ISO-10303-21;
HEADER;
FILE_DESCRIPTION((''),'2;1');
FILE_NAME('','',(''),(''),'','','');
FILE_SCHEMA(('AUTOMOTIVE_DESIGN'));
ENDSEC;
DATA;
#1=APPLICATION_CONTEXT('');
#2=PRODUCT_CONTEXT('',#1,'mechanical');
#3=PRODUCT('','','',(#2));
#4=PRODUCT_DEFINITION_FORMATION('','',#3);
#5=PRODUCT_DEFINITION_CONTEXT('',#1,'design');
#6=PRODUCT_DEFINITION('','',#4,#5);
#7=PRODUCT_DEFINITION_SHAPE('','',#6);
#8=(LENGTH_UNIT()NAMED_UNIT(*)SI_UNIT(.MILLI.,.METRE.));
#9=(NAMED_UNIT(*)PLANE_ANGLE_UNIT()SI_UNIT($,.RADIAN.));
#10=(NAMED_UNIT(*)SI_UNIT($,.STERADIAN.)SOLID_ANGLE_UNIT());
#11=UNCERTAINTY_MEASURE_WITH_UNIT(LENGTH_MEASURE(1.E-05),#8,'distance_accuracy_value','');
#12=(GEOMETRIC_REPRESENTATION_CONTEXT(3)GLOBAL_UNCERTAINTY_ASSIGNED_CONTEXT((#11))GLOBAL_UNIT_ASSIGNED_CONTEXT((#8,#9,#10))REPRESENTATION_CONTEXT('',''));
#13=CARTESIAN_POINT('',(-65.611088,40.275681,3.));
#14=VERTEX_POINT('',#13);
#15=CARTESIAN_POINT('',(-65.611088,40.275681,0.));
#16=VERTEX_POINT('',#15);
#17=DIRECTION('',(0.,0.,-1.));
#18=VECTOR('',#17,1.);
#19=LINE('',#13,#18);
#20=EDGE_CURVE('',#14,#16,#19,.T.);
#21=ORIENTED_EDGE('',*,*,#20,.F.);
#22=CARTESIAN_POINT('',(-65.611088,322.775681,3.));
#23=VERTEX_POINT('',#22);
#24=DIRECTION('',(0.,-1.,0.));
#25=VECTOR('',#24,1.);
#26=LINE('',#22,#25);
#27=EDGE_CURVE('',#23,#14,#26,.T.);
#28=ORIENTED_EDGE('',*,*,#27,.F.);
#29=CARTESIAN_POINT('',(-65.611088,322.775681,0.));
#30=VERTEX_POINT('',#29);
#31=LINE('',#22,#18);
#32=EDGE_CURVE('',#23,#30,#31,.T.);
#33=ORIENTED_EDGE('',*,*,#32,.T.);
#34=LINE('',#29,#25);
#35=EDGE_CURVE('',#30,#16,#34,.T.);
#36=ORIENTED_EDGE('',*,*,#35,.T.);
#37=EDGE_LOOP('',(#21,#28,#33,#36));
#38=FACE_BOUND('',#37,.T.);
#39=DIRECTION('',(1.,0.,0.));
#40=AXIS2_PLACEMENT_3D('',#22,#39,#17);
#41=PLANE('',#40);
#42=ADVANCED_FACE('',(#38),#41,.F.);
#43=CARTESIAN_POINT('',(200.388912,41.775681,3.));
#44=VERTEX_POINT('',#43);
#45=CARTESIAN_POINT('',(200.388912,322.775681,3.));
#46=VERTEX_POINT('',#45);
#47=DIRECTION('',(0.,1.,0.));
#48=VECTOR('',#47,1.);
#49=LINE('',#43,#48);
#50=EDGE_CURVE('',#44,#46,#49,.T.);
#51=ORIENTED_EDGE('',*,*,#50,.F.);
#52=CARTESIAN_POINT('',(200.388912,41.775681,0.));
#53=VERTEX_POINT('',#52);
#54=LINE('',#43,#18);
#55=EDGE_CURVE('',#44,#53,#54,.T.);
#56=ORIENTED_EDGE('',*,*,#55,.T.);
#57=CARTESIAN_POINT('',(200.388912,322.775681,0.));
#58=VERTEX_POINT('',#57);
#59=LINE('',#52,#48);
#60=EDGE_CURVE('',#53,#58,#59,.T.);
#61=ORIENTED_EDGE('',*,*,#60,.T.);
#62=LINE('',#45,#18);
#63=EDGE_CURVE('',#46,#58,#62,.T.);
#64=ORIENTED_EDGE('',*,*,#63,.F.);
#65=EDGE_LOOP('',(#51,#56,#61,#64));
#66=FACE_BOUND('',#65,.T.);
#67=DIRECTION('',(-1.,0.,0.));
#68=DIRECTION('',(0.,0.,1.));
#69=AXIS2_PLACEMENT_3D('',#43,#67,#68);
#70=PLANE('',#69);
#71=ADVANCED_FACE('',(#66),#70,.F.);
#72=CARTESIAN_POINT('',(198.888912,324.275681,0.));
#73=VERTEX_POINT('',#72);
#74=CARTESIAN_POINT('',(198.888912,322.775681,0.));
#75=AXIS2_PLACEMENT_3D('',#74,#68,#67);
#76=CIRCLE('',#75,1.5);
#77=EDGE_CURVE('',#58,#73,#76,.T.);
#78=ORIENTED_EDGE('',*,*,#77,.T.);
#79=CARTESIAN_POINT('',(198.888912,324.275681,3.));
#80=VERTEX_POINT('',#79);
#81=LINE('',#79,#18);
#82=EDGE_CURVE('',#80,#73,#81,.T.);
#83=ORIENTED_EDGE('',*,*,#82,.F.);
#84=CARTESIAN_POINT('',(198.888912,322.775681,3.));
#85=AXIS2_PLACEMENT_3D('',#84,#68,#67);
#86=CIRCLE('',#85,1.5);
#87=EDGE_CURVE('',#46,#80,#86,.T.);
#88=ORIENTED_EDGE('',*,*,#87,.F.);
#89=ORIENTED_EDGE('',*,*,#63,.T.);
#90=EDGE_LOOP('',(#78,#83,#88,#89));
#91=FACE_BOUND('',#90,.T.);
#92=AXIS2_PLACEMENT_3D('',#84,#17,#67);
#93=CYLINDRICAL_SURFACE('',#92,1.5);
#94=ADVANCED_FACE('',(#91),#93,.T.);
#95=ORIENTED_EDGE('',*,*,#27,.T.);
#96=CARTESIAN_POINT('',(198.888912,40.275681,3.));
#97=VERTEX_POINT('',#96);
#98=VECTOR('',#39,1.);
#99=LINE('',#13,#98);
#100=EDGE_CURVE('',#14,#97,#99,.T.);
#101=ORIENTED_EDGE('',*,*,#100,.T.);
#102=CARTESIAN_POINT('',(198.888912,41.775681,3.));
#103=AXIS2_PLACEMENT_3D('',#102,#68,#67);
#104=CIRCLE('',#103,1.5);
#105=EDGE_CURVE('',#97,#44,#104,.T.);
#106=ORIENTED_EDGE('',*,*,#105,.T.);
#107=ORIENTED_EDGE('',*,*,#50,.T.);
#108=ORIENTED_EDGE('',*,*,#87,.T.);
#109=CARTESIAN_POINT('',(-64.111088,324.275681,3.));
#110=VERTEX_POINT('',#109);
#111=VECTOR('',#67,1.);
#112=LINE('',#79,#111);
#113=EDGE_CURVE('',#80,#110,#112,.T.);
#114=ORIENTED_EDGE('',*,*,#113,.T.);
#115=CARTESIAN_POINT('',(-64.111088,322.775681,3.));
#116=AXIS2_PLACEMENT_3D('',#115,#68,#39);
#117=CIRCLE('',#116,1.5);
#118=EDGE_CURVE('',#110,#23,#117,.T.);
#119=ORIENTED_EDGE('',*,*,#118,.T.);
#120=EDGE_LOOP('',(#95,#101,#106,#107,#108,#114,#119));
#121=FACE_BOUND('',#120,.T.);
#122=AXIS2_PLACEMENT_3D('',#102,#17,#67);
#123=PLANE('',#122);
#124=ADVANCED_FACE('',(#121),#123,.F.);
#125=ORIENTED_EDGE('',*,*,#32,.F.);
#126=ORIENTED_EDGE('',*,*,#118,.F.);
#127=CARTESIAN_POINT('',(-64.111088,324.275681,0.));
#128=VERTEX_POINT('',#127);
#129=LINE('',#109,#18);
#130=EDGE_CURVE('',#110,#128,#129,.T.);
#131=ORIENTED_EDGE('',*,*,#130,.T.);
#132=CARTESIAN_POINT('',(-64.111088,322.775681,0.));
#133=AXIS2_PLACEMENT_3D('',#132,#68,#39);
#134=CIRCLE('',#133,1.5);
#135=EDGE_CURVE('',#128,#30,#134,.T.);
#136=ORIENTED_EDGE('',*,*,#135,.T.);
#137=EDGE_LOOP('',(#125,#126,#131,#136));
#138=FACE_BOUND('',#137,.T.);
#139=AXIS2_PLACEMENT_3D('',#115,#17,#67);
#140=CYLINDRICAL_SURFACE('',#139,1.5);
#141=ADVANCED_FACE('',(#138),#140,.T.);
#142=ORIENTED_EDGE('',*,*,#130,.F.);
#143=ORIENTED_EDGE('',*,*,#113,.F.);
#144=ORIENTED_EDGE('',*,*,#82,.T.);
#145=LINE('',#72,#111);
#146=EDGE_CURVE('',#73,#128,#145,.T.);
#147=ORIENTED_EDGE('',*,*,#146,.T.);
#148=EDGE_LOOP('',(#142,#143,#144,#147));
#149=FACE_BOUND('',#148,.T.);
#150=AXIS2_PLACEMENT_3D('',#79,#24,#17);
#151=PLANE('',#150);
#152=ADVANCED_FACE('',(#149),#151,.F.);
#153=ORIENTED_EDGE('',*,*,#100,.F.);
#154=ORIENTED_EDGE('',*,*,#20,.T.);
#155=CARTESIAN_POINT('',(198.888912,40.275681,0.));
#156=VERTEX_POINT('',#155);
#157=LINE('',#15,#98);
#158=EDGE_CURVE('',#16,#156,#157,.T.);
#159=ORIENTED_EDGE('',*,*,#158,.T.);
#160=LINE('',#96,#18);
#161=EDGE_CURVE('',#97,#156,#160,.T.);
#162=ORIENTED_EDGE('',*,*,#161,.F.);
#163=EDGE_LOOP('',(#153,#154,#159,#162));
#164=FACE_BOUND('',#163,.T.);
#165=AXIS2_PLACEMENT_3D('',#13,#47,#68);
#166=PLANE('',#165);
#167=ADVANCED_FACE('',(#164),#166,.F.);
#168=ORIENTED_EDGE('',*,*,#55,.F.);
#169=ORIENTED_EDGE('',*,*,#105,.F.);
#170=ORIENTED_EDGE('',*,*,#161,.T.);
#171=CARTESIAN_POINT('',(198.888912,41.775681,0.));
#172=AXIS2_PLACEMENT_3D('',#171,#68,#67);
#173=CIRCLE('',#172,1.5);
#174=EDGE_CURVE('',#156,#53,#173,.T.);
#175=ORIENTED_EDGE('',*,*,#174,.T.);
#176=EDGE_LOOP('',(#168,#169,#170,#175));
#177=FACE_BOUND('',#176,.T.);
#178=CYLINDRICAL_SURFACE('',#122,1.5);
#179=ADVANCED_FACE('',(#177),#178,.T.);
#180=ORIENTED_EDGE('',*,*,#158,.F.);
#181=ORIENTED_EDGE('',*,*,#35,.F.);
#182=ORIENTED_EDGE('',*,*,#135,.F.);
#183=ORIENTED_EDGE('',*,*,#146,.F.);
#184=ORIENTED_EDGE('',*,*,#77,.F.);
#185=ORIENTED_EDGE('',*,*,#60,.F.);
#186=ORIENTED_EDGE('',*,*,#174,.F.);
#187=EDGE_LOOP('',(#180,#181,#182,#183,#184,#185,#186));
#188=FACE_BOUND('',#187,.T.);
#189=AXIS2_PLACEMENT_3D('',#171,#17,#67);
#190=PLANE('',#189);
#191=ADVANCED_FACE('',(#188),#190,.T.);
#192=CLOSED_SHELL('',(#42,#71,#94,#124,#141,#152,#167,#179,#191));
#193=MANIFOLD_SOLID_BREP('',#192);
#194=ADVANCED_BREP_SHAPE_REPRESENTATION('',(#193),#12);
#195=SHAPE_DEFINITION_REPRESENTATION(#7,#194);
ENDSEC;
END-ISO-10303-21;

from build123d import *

# Parameters (mm, degrees)
EXTRUDE_1_DEPTH = 3


with BuildPart() as part:
    # 草图1 → 凸台-拉伸1 (new body)
    with BuildSketch(Plane.XY):
        with BuildLine():
            Line((-65.611088087, 40.275681374), (198.888911913, 40.275681374))
            ThreePointArc((198.888911913, 40.275681374), (199.949572085, 40.715021202), (200.388911913, 41.775681374))
            Line((200.388911913, 41.775681374), (200.388911913, 322.775681374))
            ThreePointArc((200.388911913, 322.775681374), (199.949572085, 323.836341546), (198.888911913, 324.275681374))
            Line((198.888911913, 324.275681374), (-64.111088087, 324.275681374))
            ThreePointArc((-64.111088087, 324.275681374), (-65.171748259, 323.836341546), (-65.611088087, 322.775681374))
            Line((-65.611088087, 322.775681374), (-65.611088087, 40.275681374))
        make_face()
    extrude(amount=EXTRUDE_1_DEPTH)


solid = part.part
